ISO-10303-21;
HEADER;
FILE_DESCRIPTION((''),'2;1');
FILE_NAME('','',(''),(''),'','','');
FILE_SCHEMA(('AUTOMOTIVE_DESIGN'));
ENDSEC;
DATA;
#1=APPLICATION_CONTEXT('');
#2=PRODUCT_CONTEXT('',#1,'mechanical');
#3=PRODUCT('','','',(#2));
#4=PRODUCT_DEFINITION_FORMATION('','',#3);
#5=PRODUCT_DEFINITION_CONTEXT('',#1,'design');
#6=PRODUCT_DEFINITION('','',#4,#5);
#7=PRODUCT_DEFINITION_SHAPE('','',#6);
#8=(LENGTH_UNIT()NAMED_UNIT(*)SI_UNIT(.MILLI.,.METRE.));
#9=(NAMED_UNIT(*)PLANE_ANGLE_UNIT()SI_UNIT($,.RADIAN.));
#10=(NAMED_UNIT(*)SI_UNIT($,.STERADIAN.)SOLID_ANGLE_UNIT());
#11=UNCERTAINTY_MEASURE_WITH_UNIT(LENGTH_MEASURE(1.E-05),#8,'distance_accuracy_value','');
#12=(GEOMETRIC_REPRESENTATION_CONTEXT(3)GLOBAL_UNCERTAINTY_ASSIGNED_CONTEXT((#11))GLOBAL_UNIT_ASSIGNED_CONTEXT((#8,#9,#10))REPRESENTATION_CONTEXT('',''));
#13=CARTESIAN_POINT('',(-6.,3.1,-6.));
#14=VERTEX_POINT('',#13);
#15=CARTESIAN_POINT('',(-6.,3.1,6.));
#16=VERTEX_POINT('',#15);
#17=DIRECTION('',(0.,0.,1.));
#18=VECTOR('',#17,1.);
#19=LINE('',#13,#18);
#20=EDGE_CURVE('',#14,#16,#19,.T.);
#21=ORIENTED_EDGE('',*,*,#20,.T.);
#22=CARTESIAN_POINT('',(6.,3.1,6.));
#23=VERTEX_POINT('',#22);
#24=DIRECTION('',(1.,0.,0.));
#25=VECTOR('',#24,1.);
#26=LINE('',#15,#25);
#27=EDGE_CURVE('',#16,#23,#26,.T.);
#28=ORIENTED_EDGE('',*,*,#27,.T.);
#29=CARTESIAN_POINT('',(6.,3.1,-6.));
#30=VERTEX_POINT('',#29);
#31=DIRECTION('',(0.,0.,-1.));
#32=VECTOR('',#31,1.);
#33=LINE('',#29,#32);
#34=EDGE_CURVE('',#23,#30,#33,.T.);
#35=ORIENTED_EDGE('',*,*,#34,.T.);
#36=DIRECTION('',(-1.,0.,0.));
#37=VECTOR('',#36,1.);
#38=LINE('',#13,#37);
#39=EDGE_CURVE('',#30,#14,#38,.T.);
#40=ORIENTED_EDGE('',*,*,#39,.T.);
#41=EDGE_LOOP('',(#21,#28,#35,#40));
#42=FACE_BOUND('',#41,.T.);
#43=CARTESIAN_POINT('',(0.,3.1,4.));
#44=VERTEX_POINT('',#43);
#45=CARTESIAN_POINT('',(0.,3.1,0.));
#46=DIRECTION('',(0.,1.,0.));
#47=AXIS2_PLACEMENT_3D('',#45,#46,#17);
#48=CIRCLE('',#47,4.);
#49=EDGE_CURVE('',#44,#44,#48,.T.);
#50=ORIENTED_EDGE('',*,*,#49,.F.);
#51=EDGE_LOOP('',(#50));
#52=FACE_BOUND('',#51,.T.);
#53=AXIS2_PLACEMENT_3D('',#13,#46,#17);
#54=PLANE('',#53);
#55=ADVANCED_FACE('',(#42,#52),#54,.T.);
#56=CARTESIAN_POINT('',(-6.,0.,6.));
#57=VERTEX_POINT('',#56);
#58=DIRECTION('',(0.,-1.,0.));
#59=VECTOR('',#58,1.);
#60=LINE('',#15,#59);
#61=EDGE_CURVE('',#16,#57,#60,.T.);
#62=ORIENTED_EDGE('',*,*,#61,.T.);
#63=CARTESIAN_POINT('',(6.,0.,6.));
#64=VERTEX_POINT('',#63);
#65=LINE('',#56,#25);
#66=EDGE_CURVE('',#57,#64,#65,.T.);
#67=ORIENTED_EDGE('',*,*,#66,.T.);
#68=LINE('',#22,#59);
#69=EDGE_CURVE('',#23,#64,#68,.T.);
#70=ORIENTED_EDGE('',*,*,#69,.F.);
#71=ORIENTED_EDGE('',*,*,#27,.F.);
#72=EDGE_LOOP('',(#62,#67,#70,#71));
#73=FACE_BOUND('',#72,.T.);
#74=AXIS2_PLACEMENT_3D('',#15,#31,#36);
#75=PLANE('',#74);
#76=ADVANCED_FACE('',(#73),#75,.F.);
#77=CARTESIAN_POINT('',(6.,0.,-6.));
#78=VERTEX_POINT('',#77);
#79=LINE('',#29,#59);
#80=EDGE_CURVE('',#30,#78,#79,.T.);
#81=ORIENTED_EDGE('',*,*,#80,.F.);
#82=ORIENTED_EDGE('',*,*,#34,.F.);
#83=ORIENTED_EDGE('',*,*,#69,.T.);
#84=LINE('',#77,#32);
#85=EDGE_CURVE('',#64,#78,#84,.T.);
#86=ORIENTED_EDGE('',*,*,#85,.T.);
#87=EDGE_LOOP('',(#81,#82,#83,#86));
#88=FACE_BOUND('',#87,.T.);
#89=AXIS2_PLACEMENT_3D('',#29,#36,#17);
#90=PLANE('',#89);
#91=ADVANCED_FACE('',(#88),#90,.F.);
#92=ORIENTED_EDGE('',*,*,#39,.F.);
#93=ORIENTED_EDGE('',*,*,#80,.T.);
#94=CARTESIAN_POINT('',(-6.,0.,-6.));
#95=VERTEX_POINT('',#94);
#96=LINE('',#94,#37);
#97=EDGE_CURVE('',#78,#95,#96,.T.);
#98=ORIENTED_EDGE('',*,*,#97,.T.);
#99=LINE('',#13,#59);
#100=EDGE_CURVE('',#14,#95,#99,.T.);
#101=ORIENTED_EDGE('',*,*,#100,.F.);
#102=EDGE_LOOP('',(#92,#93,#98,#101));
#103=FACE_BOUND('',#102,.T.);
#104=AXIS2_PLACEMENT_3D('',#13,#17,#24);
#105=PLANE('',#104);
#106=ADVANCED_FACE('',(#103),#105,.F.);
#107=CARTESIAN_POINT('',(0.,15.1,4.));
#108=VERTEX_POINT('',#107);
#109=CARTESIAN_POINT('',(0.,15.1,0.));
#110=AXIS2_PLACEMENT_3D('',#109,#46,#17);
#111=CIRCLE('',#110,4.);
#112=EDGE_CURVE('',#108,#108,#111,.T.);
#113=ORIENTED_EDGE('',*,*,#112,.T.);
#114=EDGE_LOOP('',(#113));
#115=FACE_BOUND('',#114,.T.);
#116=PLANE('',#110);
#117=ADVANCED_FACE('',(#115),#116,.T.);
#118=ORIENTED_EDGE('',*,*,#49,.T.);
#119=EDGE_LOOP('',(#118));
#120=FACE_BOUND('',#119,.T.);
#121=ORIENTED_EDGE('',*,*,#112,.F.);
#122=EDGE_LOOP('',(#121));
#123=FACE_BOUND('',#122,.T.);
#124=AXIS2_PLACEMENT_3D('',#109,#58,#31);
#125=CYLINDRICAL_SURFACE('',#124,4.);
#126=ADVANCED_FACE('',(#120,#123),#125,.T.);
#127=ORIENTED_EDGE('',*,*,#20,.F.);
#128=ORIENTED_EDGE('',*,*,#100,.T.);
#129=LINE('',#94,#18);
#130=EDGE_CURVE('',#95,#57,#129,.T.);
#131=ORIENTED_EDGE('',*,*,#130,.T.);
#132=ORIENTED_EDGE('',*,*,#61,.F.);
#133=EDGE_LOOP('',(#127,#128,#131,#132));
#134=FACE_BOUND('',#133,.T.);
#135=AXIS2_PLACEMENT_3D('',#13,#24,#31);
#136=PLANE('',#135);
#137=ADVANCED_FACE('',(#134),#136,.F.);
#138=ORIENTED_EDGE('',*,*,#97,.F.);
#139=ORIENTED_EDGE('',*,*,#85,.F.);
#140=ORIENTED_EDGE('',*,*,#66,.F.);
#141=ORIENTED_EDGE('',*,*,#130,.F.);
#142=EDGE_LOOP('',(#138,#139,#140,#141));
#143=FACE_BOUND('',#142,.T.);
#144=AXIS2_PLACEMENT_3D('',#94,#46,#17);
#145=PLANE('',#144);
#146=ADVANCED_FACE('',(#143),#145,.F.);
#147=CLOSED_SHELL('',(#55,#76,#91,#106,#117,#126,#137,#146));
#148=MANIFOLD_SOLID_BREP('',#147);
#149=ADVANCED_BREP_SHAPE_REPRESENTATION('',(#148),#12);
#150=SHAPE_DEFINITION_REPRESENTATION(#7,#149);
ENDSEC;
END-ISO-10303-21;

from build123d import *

# Parameters (mm, degrees)
SKETCH_1_W      = 12
SKETCH_1_H      = 12
EXTRUDE_1_DEPTH = 3.1
SKETCH_2_R      = 4
EXTRUDE_2_DEPTH = 12


with BuildPart() as part:
    # 草图1 → 拉伸1 (new body)
    with BuildSketch(Plane(origin=(0, 0, 0), x_dir=(1, 0, 0), z_dir=(0, 1, 0))):
        Rectangle(SKETCH_1_W, SKETCH_1_H)
    extrude(amount=EXTRUDE_1_DEPTH)

    # 草图2 → 拉伸2 (add)
    with BuildSketch(Plane(origin=(0, 3.1, 0), x_dir=(-1, 0, 0), z_dir=(0, 1, 0))):
        with Locations(Location((0, 0, 0), (0, 0, 90))):
            Circle(SKETCH_2_R)
    extrude(amount=EXTRUDE_2_DEPTH)


solid = part.part
